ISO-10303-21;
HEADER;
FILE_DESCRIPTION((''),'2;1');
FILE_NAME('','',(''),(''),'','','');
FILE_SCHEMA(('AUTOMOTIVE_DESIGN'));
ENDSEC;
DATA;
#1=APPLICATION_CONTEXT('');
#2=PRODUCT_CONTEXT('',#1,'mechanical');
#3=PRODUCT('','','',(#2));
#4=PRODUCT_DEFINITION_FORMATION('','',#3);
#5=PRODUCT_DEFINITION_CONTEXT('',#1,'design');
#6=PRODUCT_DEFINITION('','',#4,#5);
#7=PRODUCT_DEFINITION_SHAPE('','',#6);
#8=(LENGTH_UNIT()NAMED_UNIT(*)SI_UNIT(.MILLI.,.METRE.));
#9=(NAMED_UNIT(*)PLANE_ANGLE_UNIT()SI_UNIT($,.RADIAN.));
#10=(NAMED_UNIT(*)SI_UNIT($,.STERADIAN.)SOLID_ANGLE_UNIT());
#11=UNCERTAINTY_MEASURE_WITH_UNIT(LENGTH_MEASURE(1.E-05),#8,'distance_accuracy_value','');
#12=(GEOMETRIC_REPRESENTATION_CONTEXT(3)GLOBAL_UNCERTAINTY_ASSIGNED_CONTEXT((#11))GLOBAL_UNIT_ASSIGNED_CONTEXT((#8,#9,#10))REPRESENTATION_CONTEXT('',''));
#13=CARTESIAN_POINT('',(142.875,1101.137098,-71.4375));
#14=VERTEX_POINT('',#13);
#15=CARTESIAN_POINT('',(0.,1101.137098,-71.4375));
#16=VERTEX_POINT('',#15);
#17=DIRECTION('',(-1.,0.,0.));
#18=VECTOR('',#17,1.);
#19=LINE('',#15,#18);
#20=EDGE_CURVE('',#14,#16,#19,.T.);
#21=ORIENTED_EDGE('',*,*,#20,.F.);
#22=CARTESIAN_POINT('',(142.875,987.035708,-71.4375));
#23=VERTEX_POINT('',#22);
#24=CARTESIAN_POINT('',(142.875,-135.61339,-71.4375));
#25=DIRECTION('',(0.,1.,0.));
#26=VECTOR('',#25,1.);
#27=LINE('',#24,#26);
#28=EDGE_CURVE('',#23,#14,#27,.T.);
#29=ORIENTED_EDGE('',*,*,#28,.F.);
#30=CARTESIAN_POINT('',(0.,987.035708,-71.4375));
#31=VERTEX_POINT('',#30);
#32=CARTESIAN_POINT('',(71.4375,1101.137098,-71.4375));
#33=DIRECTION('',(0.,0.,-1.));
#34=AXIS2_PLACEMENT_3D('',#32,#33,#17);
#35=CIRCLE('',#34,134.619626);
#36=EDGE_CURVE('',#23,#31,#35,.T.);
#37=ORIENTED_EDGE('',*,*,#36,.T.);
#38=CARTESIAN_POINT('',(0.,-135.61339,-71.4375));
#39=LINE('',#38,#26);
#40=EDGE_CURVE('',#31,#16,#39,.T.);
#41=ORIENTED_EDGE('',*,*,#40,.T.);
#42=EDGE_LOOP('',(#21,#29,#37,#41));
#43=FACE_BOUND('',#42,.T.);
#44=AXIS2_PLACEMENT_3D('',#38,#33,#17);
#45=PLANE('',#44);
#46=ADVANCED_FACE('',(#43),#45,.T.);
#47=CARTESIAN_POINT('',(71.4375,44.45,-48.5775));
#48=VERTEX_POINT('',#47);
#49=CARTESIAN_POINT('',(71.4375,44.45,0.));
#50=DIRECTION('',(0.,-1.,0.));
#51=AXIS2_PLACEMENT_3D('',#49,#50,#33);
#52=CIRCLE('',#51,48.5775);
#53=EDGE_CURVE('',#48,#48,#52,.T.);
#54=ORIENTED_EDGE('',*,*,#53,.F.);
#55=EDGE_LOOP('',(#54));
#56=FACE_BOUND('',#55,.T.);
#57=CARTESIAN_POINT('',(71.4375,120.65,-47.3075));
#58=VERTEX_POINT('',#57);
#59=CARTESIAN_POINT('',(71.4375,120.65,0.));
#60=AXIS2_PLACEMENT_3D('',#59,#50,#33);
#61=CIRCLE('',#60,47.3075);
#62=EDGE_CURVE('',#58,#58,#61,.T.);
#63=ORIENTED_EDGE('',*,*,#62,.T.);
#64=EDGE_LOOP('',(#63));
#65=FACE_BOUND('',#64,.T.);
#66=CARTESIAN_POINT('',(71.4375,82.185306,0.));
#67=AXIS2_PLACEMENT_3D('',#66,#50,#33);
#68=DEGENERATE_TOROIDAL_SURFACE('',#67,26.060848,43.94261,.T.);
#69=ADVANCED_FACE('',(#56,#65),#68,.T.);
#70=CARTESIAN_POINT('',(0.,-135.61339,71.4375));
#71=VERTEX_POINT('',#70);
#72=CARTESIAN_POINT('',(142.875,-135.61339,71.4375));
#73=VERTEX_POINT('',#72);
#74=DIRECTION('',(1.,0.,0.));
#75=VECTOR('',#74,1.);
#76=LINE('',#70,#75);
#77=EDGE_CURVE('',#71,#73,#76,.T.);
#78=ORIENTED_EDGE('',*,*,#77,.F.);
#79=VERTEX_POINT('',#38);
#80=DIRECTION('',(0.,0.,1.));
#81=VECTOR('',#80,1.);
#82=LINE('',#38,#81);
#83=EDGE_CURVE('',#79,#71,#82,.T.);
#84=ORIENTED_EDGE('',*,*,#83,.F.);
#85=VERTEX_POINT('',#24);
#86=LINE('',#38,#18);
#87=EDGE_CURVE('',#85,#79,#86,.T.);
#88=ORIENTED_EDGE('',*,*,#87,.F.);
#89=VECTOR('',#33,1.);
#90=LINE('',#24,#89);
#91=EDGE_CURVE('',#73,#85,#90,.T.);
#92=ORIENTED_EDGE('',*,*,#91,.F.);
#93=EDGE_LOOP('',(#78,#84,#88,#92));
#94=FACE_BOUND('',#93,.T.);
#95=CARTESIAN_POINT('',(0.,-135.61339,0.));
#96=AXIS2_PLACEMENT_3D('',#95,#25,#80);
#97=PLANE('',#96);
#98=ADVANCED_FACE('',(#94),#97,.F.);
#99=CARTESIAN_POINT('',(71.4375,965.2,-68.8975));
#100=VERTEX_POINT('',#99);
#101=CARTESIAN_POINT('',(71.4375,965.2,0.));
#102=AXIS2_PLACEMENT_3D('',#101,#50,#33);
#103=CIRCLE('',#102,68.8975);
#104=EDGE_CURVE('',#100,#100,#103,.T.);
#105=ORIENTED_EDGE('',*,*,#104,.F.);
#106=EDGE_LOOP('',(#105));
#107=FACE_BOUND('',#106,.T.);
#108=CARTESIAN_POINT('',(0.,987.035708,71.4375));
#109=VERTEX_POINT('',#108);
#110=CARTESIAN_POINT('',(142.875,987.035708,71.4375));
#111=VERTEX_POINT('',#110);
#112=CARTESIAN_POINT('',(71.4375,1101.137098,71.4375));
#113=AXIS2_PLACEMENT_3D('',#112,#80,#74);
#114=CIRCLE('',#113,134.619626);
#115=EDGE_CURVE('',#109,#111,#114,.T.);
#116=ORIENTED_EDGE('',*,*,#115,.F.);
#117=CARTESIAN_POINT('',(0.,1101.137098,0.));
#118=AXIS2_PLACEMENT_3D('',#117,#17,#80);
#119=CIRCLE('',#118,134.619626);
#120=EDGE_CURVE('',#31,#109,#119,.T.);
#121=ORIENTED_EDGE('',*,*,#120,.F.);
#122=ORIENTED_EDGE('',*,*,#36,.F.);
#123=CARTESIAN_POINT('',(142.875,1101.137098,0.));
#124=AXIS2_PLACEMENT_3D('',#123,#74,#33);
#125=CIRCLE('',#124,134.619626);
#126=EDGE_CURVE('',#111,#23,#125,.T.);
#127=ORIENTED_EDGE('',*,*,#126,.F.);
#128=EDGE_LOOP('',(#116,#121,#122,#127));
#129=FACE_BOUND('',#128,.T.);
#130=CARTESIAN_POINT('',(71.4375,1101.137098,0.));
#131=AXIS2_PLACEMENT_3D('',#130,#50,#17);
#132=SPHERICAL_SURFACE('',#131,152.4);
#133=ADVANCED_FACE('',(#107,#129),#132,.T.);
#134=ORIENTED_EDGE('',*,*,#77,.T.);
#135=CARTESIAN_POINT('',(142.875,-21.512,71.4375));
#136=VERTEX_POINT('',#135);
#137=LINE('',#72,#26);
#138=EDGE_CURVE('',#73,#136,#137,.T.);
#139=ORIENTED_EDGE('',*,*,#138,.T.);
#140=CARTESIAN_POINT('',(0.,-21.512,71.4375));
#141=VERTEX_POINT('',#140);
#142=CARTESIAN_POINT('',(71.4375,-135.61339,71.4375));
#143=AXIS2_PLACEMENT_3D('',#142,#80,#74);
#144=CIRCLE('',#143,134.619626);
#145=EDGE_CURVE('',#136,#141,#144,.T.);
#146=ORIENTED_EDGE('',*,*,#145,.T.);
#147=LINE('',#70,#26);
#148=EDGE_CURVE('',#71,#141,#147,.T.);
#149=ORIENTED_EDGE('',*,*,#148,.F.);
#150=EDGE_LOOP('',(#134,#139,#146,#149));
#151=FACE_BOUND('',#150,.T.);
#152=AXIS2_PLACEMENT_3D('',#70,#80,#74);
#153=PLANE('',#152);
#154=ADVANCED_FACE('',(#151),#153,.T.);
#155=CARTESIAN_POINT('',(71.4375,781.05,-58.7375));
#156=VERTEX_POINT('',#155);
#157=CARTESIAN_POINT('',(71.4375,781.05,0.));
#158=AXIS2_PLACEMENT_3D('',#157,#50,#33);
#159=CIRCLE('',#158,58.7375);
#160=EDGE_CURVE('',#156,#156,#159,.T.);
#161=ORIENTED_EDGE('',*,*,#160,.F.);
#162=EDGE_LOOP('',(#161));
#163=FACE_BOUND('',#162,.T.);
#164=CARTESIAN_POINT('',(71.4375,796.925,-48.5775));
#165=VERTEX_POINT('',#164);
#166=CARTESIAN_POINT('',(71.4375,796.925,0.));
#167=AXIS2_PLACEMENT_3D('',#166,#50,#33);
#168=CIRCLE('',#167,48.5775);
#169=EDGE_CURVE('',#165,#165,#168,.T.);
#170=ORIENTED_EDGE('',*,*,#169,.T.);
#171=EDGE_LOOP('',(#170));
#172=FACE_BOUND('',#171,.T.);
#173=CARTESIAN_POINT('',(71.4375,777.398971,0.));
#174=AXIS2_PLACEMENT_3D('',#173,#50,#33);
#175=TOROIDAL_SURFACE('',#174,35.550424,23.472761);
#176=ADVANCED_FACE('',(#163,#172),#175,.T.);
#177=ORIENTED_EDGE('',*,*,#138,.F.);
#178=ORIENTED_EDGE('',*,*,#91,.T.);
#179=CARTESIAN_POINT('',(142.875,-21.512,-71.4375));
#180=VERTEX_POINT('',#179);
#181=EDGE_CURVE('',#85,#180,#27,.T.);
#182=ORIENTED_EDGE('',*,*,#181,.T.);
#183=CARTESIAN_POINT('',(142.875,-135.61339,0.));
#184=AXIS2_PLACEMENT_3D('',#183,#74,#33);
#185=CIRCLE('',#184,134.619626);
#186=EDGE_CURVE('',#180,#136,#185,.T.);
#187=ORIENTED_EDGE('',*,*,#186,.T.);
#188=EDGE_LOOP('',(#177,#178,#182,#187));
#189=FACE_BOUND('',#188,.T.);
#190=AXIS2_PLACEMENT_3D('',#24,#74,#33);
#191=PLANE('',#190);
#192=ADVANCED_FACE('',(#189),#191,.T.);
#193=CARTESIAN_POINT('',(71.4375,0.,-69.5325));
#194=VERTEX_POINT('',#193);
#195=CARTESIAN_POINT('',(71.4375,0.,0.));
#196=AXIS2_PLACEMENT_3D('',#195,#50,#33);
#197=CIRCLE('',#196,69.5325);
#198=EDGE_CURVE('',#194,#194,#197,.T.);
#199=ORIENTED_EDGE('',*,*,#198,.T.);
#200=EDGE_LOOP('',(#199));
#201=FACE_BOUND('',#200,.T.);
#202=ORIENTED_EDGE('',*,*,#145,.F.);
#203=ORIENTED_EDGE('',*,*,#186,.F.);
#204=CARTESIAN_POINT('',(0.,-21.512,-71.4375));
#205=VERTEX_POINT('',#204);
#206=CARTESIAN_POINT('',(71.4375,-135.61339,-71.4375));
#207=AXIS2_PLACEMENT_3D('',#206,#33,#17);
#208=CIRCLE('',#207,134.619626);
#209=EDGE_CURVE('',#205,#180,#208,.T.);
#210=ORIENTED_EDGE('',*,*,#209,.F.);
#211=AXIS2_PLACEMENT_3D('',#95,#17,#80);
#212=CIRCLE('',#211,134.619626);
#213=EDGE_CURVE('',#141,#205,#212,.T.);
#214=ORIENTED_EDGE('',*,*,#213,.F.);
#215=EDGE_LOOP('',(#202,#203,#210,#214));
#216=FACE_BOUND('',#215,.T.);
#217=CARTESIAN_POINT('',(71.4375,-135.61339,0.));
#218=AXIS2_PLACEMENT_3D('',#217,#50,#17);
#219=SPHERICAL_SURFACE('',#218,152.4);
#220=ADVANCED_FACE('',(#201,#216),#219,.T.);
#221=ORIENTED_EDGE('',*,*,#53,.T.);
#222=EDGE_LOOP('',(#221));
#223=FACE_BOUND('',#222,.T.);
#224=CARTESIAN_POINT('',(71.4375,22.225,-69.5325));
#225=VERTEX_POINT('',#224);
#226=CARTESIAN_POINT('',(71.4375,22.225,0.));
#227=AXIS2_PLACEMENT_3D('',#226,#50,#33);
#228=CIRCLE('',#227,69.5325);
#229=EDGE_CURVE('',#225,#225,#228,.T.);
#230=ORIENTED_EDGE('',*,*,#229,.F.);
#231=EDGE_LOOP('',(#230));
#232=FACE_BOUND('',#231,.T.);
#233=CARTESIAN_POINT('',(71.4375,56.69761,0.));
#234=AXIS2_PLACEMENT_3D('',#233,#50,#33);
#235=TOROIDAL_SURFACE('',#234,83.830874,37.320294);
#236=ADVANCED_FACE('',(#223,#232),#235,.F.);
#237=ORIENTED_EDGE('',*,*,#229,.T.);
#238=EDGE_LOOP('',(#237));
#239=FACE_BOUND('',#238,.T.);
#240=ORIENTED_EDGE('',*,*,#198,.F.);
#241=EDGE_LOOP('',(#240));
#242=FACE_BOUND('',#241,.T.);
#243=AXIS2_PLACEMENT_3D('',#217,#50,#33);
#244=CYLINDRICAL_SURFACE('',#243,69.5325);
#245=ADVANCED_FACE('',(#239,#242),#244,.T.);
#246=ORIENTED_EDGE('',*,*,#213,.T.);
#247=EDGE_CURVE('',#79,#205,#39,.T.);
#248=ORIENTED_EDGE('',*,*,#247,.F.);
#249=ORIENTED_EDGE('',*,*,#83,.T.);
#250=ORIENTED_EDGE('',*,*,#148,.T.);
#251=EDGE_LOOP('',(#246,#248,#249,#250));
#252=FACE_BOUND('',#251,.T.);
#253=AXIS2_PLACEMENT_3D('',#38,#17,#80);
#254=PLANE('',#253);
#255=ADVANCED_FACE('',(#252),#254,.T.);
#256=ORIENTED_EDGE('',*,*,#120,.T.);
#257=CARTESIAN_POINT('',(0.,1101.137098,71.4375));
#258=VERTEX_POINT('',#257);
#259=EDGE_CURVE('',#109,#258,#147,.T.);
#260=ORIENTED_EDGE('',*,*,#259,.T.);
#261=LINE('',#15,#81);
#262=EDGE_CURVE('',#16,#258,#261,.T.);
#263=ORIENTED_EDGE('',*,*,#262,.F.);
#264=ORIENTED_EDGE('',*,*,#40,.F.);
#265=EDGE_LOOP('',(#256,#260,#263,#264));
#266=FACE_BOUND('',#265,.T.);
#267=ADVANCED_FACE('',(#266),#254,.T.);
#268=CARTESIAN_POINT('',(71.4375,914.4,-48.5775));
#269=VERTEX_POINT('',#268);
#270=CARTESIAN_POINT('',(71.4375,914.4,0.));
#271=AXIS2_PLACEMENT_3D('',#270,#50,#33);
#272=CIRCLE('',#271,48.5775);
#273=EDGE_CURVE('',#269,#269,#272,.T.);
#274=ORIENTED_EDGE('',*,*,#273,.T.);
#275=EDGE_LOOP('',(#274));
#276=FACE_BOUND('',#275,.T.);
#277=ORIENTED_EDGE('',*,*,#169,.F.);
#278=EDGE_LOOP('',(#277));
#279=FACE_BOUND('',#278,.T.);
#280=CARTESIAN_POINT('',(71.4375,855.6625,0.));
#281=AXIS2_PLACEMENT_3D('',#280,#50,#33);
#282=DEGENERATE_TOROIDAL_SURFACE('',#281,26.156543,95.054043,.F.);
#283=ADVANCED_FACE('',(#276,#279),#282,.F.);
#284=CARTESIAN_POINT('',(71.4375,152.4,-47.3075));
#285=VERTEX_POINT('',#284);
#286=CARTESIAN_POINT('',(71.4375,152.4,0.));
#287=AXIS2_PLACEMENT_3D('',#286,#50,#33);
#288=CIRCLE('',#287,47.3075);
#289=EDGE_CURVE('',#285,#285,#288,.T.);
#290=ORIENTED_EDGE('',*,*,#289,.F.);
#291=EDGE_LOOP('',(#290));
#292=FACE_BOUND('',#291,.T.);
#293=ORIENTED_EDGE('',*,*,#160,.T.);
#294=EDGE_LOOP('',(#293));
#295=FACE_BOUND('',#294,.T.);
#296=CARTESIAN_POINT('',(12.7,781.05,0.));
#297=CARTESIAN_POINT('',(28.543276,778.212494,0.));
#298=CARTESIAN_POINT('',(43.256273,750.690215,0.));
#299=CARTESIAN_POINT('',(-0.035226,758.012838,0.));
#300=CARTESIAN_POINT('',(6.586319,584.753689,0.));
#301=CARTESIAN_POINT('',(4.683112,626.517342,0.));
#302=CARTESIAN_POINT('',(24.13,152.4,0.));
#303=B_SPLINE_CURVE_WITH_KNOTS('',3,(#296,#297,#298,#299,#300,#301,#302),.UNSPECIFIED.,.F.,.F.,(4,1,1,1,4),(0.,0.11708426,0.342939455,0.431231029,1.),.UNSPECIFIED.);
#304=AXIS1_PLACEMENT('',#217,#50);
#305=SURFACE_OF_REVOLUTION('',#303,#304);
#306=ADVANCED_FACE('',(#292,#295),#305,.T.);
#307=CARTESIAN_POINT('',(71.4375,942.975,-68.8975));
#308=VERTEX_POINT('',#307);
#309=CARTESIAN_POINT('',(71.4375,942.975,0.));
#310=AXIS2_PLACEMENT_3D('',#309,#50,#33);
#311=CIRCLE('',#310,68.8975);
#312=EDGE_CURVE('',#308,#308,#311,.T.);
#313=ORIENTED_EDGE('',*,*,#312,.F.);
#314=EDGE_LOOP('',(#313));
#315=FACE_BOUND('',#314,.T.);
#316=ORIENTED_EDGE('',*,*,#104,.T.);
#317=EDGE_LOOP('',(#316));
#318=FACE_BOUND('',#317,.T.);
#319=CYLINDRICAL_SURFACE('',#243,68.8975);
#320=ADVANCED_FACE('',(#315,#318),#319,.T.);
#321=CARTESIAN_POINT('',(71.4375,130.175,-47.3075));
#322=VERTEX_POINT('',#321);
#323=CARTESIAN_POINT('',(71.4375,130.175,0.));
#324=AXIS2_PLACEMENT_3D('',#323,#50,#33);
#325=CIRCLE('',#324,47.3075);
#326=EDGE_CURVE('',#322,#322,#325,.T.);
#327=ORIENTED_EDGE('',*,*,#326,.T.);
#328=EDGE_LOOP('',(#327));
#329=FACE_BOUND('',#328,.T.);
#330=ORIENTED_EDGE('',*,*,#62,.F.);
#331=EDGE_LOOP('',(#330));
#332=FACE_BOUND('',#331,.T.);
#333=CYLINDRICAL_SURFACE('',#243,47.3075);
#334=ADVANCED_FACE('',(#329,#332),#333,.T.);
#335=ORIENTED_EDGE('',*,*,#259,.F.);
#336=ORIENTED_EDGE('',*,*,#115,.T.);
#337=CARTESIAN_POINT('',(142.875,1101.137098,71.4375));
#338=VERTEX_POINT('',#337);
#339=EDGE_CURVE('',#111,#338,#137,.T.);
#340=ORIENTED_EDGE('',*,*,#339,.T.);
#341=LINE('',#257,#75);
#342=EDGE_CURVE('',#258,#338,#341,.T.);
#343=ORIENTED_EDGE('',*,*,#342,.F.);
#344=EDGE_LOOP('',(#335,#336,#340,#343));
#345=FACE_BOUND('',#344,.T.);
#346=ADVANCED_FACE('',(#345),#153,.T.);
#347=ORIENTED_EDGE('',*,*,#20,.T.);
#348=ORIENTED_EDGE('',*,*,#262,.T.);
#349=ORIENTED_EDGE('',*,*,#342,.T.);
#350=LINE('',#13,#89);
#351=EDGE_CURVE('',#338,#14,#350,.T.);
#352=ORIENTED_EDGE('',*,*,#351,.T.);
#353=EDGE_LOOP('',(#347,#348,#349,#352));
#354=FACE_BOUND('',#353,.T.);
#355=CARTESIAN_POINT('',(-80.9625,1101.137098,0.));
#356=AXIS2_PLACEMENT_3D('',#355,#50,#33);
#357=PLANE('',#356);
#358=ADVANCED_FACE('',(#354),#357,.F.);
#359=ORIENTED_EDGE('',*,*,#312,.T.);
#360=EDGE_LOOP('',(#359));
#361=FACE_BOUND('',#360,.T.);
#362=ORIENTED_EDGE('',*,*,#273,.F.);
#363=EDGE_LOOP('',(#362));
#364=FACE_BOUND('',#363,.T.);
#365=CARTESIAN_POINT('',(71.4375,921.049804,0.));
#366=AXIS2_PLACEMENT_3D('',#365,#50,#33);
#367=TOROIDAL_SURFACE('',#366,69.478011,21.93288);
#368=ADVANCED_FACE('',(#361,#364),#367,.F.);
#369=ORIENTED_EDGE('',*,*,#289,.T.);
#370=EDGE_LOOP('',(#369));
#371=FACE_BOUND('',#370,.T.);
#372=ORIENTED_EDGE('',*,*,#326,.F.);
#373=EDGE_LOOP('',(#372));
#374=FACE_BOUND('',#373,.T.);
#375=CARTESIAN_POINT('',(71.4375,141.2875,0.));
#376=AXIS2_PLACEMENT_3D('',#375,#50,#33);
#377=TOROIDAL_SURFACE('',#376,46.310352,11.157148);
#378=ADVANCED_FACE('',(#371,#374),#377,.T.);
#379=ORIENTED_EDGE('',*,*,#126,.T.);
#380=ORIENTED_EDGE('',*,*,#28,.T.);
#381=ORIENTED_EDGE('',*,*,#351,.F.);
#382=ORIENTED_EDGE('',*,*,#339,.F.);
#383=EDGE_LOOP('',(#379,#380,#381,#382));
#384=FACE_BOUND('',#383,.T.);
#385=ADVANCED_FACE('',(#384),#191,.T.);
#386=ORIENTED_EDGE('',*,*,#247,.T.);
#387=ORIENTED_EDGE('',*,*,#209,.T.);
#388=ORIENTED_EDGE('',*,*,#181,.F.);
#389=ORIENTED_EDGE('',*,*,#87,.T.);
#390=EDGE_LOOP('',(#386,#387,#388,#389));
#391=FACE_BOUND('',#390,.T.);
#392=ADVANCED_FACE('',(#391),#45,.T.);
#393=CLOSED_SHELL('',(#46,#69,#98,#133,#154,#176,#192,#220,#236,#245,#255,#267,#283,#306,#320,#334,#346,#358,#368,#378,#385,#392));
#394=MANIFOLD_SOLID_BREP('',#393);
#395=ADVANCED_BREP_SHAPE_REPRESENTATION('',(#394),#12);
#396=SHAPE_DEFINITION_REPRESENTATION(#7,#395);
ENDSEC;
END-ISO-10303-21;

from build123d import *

# Parameters (mm, degrees)
SKETCH4_OUTSIDE_W       = 568.745
SKETCH4_OUTSIDE_H       = 568.744
SKETCH4_OUTSIDE_W_2     = 142.875
SKETCH4_OUTSIDE_H_2     = 142.875
CUT_EXTRUDE2_DEPTH      = 1102.137097563
CUT_EXTRUDE2_DEPTH_BACK = 136.613389618


with BuildPart() as part:
    # Sketch2 → Revolve2 (revolve)
    with BuildSketch(Plane.XY):
        with BuildLine():
            Line((0, -135.613389618), (71.4375, -135.613389618))
            Line((71.4375, -135.613389618), (71.4375, 1101.137097563))
            Line((71.4375, 1101.137097563), (0, 1101.137097563))
            Line((0, 1101.137097563), (-80.9625, 1101.137097563))
            ThreePointArc((-80.9625, 1101.137097563), (-58.419611858, 1021.369369126), (2.54, 965.2))
            Line((2.54, 965.2), (2.54, 942.975))
            ThreePointArc((2.54, 942.975), (19.833806838, 933.760429307), (22.86, 914.4))
            ThreePointArc((22.86, 914.4), (2.54, 855.6625), (22.86, 796.925))
            ThreePointArc((22.86, 796.925), (16.116640845, 790.052049859), (12.7, 781.05))
            add(Edge.make_bspline(
                [(12.7, 781.05), (28.543276087, 778.212494125), (43.256272949, 750.690215213), (-0.0352258, 758.012837994), (6.586319301, 584.753689168), (4.683111774, 626.517341683), (24.13, 152.4)],
                knots=[0, 0, 0, 0, 0.11708426, 0.342939455, 0.431231029, 1, 1, 1, 1], degree=3))
            ThreePointArc((24.13, 152.4), (13.97, 141.2875), (24.13, 130.175))
            Line((24.13, 130.175), (24.13, 120.65))
            ThreePointArc((24.13, 120.65), (1.440144638, 82.917580923), (22.86, 44.45))
            ThreePointArc((22.86, 44.45), (14.760476333, 31.095408029), (1.905, 22.225))
            Line((1.905, 22.225), (1.905, 0))
            ThreePointArc((1.905, 0), (-58.605787024, -56.149539347), (-80.9625, -135.613389618))
            Line((-80.9625, -135.613389618), (0, -135.613389618))
        make_face()
    revolve(axis=Axis((71.4375, -135.613389618, 0), (0, 1, 0)))

    # Sketch4 outside → Cut-Extrude2 (cut, two sides)
    with BuildSketch(Plane(origin=(0, 0, 0), x_dir=(1, 0, 0), z_dir=(0, 1, 0))) as cut_extrude2_sk:
        with Locations((71.4375, 0)):
            Rectangle(SKETCH4_OUTSIDE_W, SKETCH4_OUTSIDE_H)
        with Locations((71.4375, 0)):
            Rectangle(SKETCH4_OUTSIDE_W_2, SKETCH4_OUTSIDE_H_2, mode=Mode.SUBTRACT)
    extrude(amount=CUT_EXTRUDE2_DEPTH, mode=Mode.SUBTRACT)
    extrude(cut_extrude2_sk.sketch, amount=-CUT_EXTRUDE2_DEPTH_BACK, mode=Mode.SUBTRACT)


solid = part.part
